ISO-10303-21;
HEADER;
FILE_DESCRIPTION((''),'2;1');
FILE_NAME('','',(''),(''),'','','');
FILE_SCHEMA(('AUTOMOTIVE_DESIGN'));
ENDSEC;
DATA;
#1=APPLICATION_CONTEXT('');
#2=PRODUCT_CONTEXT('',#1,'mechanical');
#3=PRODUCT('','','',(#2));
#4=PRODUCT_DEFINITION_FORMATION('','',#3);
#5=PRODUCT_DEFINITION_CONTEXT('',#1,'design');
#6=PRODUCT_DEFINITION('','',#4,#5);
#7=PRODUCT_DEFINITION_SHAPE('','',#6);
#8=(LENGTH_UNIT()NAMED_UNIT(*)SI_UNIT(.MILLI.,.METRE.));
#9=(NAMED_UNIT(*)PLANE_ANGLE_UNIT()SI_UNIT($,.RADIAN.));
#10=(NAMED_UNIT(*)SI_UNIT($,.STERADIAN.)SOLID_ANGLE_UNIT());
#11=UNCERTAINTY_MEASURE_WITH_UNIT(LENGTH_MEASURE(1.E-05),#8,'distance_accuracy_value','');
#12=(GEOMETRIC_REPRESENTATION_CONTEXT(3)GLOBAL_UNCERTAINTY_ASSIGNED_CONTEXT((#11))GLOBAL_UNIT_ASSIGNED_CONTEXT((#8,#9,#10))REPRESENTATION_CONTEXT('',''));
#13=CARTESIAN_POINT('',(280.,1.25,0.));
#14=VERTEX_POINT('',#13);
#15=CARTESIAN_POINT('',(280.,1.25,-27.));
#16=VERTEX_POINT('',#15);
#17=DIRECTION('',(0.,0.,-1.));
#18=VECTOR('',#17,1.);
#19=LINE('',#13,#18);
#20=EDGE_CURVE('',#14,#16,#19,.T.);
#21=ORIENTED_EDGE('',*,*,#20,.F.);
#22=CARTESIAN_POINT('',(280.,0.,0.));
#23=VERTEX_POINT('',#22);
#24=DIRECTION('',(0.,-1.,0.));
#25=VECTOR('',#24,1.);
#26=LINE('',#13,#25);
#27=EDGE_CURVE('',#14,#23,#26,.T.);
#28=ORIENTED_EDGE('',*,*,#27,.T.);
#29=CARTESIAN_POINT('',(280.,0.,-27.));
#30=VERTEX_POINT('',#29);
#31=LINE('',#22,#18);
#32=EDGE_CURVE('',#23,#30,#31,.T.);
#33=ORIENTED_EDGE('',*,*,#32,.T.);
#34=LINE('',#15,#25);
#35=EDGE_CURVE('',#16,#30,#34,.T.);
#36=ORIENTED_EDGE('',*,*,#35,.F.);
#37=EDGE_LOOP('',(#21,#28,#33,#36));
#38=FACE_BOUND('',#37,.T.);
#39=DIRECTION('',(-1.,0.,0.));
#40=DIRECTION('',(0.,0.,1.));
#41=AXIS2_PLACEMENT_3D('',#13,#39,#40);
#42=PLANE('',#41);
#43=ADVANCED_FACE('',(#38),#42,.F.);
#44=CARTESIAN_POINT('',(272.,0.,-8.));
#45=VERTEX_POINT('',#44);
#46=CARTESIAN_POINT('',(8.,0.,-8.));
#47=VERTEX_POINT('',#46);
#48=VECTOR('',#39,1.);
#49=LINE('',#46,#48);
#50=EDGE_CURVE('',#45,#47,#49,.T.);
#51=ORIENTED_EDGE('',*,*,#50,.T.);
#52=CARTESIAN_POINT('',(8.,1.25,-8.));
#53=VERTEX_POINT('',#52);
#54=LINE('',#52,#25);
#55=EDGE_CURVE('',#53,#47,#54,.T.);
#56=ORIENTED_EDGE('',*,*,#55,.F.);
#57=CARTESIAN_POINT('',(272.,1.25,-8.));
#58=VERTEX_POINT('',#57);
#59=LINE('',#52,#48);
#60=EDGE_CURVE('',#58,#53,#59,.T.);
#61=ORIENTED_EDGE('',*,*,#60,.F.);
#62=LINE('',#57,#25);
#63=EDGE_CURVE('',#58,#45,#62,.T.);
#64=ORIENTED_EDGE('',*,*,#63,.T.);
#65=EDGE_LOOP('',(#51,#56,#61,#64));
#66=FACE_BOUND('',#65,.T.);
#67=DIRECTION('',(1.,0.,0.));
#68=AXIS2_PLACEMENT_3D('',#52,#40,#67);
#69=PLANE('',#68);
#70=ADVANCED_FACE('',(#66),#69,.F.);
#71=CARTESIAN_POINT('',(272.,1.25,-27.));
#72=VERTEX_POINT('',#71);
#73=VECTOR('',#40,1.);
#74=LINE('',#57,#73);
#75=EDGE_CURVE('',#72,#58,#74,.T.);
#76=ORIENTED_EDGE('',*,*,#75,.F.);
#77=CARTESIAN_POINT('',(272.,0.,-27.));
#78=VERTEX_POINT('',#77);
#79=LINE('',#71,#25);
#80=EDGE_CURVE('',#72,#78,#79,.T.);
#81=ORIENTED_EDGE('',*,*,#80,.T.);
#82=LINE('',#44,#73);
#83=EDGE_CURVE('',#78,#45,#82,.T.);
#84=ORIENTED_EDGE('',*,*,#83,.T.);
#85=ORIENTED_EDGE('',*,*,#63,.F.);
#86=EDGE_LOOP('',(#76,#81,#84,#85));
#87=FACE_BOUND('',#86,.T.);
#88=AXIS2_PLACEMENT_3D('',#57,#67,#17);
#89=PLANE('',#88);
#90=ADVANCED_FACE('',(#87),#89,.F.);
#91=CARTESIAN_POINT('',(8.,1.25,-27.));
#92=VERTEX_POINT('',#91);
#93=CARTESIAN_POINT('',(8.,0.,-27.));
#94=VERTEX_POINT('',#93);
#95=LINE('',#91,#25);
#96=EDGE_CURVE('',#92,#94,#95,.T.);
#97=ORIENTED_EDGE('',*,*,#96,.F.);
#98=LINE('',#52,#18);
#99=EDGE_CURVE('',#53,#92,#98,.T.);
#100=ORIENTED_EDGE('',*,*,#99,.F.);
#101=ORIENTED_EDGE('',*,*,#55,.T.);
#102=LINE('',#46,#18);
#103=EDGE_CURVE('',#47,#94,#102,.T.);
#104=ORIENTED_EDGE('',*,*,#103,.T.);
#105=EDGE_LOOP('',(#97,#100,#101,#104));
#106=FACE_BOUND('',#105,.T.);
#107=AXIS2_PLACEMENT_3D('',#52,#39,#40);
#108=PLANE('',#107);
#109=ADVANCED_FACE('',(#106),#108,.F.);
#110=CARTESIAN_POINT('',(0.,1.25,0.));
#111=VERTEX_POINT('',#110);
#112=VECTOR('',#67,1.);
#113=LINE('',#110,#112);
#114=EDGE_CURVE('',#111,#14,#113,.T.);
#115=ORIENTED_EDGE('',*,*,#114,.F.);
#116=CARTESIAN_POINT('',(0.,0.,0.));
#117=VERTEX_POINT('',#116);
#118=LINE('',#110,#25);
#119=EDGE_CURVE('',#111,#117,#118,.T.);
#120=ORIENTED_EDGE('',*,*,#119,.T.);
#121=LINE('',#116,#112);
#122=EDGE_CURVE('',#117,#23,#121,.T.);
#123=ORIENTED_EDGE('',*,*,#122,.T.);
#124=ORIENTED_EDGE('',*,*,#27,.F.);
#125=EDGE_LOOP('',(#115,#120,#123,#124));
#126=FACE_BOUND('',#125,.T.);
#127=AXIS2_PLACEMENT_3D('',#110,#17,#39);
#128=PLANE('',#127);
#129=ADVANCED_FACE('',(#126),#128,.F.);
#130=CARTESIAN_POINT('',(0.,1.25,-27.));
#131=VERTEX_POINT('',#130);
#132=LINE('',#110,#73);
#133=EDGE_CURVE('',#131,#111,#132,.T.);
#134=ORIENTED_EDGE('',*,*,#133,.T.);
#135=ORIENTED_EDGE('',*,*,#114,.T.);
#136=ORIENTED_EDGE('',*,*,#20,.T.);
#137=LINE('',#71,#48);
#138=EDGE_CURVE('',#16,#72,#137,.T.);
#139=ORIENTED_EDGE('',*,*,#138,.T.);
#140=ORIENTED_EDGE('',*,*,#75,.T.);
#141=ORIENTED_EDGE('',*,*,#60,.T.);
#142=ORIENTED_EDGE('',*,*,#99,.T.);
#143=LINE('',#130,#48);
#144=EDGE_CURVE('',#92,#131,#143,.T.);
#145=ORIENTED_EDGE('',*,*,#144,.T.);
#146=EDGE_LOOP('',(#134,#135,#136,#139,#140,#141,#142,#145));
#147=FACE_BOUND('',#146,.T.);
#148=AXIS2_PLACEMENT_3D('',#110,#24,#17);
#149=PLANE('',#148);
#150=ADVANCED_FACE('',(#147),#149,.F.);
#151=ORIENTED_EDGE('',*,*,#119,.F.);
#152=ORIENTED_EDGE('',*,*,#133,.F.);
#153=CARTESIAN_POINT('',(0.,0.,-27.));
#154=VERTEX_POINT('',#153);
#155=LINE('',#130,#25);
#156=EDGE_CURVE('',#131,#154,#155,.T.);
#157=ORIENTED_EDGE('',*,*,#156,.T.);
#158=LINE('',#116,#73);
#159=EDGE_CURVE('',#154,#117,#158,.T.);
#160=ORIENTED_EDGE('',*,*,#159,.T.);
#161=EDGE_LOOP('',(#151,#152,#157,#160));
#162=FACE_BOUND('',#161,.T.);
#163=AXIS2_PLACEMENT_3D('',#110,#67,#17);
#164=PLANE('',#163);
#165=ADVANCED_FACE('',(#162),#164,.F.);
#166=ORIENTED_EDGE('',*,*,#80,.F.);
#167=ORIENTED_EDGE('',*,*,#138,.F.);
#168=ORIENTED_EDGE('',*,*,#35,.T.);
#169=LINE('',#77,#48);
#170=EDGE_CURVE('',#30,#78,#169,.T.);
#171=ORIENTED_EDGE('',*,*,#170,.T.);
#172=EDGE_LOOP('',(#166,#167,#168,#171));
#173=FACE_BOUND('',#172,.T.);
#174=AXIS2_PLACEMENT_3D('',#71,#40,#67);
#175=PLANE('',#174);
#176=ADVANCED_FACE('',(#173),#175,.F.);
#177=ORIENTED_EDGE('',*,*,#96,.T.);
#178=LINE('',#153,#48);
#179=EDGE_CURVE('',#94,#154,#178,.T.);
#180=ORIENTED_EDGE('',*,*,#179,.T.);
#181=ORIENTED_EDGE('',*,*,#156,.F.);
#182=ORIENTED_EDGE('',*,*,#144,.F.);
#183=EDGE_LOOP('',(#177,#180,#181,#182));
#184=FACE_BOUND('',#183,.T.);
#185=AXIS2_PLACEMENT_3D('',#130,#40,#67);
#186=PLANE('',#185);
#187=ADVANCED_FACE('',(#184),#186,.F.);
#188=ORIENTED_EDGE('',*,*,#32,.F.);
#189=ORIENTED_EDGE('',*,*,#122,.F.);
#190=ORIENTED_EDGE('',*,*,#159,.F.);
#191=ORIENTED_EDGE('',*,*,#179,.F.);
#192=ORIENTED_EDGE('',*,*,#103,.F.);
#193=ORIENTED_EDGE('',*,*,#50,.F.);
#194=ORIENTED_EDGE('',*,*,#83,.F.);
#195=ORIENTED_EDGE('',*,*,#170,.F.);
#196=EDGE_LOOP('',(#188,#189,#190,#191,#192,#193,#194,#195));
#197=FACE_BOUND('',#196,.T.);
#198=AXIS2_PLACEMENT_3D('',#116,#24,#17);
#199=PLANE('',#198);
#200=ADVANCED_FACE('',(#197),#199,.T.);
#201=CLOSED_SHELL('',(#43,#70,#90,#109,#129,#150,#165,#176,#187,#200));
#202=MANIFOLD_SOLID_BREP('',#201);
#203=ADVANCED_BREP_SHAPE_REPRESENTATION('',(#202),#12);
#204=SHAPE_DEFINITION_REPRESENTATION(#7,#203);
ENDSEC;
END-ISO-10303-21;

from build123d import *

# Parameters (mm, degrees)
BOSS_EXTRUDE1_DEPTH = 1.25


with BuildPart() as part:
    # Sketch1 → Boss-Extrude1 (new body)
    with BuildSketch(Plane(origin=(0, 0, 0), x_dir=(1, 0, 0), z_dir=(0, 1, 0))):
        Polygon((0, 0), (280, 0), (280, 27), (272, 27), (272, 8), (8, 8), (8, 27), (0, 27), align=None)
    extrude(amount=BOSS_EXTRUDE1_DEPTH)


solid = part.part
